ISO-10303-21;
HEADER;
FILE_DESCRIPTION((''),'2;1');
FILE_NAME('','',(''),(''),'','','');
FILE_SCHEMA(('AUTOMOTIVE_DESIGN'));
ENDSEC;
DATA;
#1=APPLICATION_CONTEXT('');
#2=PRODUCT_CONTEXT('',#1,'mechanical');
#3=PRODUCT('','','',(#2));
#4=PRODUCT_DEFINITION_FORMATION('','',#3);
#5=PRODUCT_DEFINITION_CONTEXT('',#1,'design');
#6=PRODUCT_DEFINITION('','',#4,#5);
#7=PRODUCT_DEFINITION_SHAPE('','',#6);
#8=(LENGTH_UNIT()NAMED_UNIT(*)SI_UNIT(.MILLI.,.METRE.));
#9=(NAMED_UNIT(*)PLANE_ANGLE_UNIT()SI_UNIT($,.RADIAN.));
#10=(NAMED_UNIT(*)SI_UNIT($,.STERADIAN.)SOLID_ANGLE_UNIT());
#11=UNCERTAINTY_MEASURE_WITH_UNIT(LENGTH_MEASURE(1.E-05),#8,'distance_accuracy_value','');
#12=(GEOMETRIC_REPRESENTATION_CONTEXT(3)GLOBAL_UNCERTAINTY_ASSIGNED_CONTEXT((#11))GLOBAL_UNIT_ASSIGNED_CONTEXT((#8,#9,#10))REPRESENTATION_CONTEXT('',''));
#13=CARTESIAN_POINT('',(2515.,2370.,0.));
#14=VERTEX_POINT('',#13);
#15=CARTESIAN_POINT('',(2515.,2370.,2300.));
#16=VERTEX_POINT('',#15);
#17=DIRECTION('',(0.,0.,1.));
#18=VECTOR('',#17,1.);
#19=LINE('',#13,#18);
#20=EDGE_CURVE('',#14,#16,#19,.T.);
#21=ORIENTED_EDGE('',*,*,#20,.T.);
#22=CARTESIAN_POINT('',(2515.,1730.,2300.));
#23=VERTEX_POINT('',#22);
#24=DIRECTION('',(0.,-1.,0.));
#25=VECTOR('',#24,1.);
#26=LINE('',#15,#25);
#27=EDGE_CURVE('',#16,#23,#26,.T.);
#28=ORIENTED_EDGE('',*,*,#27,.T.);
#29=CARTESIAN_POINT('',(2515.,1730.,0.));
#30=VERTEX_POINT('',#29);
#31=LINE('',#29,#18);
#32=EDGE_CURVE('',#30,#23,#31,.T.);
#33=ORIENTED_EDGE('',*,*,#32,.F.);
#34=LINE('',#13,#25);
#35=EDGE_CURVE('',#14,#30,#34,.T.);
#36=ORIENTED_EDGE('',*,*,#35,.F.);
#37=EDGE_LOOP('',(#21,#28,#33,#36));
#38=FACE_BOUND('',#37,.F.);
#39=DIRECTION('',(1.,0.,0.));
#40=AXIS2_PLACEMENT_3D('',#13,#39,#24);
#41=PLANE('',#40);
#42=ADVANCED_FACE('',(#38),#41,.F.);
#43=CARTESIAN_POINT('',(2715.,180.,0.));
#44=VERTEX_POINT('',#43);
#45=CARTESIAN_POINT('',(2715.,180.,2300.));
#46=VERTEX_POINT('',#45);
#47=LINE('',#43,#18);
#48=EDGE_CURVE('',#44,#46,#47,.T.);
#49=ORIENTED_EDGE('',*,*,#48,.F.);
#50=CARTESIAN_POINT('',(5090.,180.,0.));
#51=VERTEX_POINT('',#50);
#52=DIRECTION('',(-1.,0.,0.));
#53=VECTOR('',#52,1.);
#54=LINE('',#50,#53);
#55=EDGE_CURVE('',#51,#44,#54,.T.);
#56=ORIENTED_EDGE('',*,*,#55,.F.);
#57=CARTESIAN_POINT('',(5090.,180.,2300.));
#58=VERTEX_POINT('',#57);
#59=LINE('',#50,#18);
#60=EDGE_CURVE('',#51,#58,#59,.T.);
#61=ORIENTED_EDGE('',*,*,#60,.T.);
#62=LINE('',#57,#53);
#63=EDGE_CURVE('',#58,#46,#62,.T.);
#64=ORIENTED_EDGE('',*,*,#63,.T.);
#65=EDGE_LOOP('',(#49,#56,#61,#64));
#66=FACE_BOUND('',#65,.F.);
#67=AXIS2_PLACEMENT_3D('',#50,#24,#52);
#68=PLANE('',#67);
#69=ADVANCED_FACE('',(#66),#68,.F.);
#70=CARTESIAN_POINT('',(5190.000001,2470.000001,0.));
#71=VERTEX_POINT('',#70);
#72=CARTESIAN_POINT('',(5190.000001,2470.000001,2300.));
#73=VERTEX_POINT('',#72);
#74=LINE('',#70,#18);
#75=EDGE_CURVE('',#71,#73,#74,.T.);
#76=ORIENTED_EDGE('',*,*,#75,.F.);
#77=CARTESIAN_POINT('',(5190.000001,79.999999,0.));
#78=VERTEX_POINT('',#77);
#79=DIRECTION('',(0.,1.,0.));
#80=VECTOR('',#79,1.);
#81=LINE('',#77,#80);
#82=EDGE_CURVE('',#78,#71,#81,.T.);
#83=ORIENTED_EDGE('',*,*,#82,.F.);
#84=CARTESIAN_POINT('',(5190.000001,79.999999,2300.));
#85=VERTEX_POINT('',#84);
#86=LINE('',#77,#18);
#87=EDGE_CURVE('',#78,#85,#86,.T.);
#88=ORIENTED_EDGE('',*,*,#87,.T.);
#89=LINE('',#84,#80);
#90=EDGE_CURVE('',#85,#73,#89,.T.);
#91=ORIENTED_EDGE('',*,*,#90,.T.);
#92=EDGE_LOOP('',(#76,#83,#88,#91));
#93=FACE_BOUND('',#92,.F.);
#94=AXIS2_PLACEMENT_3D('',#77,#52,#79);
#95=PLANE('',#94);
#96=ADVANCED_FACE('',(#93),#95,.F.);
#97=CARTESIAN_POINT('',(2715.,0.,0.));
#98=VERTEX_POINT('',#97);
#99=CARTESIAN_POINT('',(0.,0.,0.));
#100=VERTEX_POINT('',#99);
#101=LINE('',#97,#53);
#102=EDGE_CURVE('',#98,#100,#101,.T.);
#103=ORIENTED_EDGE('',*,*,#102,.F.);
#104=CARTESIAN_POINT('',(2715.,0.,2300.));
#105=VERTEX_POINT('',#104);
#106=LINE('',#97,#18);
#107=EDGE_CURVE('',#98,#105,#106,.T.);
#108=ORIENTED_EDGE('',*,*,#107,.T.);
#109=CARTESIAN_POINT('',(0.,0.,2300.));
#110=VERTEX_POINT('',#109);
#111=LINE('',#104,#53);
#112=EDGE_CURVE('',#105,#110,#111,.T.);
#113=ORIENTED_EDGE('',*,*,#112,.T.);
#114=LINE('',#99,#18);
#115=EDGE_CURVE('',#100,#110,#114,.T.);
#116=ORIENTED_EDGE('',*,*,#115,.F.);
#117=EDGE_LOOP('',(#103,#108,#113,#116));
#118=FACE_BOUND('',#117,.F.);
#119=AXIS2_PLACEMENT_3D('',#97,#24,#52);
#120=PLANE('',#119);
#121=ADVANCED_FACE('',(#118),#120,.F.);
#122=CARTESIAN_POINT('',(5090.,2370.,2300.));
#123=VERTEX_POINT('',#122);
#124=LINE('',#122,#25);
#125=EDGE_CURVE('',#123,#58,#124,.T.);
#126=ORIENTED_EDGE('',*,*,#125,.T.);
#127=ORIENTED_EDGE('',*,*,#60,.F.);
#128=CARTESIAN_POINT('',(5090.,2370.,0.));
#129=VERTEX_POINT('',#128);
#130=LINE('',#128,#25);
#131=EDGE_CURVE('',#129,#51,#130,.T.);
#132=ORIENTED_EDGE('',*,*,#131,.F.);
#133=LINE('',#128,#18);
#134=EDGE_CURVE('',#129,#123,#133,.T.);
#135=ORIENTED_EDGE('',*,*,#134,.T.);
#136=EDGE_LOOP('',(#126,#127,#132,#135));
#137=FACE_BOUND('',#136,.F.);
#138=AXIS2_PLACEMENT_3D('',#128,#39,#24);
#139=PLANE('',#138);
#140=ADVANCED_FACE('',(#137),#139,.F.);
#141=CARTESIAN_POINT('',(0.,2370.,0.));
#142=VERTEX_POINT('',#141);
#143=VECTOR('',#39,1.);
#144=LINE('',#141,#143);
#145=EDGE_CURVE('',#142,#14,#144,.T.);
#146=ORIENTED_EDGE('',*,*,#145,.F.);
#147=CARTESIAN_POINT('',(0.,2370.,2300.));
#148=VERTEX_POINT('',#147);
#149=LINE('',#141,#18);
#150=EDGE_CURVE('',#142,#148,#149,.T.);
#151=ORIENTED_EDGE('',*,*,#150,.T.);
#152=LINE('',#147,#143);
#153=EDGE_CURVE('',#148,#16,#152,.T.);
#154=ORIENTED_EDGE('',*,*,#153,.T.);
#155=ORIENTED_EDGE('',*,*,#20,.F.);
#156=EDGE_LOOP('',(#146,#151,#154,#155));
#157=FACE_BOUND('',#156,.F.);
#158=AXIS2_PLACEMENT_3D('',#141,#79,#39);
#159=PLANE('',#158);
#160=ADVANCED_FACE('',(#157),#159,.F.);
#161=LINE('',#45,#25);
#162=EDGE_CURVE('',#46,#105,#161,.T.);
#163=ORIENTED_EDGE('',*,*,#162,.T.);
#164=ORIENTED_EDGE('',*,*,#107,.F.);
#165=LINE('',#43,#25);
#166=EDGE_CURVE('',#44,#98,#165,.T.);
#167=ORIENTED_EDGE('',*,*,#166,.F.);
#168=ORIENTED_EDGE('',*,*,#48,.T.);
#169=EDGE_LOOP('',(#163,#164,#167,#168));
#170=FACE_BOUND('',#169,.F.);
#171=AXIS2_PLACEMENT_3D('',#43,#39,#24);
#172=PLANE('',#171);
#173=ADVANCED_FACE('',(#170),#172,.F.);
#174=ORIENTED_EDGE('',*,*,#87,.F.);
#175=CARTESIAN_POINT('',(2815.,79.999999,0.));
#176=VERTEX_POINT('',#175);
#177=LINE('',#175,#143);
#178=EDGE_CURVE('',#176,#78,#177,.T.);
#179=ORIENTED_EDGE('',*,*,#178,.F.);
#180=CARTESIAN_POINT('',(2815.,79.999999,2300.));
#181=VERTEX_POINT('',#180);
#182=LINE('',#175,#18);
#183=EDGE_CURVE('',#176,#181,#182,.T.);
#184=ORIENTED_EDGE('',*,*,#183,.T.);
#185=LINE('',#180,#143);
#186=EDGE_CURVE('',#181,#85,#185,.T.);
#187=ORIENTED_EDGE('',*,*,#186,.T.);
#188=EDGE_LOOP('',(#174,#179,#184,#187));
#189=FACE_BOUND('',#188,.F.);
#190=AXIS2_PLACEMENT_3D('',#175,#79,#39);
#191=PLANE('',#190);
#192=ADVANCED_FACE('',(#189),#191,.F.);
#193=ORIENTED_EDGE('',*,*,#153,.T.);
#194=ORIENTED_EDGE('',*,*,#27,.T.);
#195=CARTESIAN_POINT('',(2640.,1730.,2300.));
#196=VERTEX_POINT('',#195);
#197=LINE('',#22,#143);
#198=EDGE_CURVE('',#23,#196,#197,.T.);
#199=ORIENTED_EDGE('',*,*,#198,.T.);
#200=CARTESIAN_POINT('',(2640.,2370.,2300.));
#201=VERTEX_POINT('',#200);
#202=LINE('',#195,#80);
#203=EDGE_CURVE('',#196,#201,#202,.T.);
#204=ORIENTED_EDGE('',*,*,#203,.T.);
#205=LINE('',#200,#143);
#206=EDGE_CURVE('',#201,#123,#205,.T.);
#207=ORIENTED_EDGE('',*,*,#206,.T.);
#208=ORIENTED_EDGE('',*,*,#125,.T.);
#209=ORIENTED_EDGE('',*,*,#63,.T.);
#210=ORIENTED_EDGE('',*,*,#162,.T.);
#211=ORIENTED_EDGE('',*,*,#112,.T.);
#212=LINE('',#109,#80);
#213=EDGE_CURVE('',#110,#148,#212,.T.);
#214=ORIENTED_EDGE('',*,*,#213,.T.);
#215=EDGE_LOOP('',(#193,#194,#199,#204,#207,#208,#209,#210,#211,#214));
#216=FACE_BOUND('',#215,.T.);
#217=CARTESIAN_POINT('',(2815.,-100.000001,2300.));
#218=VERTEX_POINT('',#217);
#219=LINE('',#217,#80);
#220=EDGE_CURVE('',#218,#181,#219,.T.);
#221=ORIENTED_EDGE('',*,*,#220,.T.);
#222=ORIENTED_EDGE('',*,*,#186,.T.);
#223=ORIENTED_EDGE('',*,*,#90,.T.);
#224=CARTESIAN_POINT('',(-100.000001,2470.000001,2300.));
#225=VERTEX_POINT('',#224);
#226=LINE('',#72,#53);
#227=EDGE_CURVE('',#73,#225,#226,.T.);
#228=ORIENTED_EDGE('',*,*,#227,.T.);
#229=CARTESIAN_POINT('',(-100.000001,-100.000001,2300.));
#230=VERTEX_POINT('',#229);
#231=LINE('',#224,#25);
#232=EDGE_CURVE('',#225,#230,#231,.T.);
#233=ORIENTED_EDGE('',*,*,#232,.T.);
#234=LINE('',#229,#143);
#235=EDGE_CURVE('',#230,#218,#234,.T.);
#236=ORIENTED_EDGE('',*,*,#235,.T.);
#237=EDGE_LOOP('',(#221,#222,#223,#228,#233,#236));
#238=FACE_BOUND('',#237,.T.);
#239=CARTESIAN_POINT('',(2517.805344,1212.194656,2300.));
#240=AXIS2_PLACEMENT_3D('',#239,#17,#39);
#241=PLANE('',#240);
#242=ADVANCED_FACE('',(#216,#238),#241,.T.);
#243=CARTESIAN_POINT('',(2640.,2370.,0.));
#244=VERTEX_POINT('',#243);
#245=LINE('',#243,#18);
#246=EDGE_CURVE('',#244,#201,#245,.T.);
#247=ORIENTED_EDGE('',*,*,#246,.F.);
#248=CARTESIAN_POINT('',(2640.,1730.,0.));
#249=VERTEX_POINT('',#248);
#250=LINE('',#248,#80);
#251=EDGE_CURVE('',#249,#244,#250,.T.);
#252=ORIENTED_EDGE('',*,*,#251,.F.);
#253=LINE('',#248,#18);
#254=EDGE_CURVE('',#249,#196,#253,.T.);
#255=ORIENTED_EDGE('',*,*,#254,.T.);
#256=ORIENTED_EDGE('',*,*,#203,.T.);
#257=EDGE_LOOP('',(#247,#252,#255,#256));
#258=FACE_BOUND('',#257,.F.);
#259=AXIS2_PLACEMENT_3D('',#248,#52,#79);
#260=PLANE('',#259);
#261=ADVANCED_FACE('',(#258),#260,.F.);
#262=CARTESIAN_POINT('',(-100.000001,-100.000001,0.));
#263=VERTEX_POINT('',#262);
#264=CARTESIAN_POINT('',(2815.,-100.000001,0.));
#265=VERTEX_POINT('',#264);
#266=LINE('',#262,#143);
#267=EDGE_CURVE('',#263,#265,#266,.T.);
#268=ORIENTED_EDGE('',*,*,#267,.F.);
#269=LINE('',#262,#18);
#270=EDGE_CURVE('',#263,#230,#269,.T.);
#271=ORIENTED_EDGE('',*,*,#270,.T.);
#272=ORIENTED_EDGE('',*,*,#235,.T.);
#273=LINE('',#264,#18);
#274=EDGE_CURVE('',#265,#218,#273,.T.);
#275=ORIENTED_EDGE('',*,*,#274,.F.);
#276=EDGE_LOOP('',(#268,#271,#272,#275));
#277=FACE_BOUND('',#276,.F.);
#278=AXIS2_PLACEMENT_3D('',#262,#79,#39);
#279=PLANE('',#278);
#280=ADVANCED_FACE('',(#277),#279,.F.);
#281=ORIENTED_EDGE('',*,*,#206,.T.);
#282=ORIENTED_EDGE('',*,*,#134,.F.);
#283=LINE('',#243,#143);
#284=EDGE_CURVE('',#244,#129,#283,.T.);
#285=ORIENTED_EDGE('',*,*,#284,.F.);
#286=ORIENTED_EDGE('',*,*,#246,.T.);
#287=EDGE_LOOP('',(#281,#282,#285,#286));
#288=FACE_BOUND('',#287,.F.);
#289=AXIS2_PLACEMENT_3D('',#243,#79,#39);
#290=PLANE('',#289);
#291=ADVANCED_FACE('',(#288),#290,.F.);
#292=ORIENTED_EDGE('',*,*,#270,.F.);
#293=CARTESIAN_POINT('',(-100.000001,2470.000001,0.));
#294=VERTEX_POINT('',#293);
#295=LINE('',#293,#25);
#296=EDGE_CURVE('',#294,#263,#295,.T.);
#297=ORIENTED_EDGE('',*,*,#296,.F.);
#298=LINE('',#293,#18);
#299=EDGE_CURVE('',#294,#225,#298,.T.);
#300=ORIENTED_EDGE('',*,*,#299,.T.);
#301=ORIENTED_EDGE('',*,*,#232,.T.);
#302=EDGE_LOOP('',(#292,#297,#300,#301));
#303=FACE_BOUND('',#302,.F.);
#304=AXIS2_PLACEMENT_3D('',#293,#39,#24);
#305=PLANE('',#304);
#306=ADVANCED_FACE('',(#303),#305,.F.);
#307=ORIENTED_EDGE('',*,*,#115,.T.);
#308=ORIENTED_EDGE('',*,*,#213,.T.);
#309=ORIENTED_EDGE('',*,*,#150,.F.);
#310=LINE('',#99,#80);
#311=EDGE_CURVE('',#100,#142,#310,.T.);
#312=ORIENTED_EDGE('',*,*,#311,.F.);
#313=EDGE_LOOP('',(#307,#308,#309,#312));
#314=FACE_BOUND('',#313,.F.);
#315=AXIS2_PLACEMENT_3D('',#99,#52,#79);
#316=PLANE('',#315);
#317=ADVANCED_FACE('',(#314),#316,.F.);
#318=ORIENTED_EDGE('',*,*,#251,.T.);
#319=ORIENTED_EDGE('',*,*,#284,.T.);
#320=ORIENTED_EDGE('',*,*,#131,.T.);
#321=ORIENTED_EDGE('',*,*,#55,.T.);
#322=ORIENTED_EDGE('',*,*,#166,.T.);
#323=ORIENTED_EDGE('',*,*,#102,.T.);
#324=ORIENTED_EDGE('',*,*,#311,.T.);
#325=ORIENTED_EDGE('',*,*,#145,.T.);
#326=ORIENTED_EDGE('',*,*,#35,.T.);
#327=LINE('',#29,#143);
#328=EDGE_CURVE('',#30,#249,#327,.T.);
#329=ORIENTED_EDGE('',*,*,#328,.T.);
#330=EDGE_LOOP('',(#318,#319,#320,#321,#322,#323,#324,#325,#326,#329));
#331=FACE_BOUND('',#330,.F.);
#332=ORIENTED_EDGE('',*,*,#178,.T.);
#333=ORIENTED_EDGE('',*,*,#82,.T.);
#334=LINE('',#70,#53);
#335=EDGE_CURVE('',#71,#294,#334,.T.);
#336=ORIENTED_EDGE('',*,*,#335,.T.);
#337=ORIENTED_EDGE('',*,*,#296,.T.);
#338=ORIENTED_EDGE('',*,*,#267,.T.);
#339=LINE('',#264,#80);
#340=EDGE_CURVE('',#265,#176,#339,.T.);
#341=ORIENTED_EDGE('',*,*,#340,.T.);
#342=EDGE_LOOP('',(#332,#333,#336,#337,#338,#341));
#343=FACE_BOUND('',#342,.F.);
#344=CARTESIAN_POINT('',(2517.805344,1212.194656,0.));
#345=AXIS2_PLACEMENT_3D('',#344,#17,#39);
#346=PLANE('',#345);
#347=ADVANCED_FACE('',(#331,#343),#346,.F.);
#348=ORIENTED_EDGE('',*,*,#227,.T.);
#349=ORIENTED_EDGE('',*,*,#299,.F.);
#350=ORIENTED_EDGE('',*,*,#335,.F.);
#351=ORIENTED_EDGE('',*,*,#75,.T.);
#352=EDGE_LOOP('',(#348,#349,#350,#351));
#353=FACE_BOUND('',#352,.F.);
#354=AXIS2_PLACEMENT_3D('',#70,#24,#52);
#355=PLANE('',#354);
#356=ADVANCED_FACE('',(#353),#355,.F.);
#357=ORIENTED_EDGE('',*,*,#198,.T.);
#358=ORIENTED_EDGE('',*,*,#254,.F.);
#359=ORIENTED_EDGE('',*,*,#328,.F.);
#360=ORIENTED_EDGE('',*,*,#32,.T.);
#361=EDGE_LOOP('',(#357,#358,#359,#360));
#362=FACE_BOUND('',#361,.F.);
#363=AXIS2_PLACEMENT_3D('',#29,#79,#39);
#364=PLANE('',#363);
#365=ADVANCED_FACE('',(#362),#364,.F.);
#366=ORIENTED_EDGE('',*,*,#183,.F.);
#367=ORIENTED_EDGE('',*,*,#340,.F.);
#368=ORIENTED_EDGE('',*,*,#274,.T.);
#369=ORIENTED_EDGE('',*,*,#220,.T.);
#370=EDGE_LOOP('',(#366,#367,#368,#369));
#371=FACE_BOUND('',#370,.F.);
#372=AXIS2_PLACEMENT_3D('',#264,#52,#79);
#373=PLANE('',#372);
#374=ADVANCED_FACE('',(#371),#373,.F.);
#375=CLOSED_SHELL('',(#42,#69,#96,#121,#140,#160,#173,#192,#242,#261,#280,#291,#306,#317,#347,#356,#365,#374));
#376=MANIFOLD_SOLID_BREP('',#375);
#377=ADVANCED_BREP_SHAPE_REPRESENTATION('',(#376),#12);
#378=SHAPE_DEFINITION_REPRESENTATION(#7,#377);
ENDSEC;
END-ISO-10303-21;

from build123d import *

# Parameters (mm, degrees)
F1_DEPTH = 2300


with BuildPart() as f1:
    # F0 (on Top) → F1 (new body)
    with BuildSketch(Plane.XY):
        Polygon((2815, -100.000001), (2815, 79.999999), (5190.000001, 79.999999), (5190.000001, 2470.000001), (2610.000001, 2470.000001), (-100.000001, 2470.000001), (-100.000001, -100.000001), (2515, -100.000001), align=None)
        Polygon((2715, 0), (0, 0), (0, 2370), (2515, 2370), (2515, 1730), (2640, 1730), (2640, 2370), (5090, 2370), (5090, 180), (2715, 180), align=None, mode=Mode.SUBTRACT)
    extrude(amount=F1_DEPTH)


solid = f1.part
